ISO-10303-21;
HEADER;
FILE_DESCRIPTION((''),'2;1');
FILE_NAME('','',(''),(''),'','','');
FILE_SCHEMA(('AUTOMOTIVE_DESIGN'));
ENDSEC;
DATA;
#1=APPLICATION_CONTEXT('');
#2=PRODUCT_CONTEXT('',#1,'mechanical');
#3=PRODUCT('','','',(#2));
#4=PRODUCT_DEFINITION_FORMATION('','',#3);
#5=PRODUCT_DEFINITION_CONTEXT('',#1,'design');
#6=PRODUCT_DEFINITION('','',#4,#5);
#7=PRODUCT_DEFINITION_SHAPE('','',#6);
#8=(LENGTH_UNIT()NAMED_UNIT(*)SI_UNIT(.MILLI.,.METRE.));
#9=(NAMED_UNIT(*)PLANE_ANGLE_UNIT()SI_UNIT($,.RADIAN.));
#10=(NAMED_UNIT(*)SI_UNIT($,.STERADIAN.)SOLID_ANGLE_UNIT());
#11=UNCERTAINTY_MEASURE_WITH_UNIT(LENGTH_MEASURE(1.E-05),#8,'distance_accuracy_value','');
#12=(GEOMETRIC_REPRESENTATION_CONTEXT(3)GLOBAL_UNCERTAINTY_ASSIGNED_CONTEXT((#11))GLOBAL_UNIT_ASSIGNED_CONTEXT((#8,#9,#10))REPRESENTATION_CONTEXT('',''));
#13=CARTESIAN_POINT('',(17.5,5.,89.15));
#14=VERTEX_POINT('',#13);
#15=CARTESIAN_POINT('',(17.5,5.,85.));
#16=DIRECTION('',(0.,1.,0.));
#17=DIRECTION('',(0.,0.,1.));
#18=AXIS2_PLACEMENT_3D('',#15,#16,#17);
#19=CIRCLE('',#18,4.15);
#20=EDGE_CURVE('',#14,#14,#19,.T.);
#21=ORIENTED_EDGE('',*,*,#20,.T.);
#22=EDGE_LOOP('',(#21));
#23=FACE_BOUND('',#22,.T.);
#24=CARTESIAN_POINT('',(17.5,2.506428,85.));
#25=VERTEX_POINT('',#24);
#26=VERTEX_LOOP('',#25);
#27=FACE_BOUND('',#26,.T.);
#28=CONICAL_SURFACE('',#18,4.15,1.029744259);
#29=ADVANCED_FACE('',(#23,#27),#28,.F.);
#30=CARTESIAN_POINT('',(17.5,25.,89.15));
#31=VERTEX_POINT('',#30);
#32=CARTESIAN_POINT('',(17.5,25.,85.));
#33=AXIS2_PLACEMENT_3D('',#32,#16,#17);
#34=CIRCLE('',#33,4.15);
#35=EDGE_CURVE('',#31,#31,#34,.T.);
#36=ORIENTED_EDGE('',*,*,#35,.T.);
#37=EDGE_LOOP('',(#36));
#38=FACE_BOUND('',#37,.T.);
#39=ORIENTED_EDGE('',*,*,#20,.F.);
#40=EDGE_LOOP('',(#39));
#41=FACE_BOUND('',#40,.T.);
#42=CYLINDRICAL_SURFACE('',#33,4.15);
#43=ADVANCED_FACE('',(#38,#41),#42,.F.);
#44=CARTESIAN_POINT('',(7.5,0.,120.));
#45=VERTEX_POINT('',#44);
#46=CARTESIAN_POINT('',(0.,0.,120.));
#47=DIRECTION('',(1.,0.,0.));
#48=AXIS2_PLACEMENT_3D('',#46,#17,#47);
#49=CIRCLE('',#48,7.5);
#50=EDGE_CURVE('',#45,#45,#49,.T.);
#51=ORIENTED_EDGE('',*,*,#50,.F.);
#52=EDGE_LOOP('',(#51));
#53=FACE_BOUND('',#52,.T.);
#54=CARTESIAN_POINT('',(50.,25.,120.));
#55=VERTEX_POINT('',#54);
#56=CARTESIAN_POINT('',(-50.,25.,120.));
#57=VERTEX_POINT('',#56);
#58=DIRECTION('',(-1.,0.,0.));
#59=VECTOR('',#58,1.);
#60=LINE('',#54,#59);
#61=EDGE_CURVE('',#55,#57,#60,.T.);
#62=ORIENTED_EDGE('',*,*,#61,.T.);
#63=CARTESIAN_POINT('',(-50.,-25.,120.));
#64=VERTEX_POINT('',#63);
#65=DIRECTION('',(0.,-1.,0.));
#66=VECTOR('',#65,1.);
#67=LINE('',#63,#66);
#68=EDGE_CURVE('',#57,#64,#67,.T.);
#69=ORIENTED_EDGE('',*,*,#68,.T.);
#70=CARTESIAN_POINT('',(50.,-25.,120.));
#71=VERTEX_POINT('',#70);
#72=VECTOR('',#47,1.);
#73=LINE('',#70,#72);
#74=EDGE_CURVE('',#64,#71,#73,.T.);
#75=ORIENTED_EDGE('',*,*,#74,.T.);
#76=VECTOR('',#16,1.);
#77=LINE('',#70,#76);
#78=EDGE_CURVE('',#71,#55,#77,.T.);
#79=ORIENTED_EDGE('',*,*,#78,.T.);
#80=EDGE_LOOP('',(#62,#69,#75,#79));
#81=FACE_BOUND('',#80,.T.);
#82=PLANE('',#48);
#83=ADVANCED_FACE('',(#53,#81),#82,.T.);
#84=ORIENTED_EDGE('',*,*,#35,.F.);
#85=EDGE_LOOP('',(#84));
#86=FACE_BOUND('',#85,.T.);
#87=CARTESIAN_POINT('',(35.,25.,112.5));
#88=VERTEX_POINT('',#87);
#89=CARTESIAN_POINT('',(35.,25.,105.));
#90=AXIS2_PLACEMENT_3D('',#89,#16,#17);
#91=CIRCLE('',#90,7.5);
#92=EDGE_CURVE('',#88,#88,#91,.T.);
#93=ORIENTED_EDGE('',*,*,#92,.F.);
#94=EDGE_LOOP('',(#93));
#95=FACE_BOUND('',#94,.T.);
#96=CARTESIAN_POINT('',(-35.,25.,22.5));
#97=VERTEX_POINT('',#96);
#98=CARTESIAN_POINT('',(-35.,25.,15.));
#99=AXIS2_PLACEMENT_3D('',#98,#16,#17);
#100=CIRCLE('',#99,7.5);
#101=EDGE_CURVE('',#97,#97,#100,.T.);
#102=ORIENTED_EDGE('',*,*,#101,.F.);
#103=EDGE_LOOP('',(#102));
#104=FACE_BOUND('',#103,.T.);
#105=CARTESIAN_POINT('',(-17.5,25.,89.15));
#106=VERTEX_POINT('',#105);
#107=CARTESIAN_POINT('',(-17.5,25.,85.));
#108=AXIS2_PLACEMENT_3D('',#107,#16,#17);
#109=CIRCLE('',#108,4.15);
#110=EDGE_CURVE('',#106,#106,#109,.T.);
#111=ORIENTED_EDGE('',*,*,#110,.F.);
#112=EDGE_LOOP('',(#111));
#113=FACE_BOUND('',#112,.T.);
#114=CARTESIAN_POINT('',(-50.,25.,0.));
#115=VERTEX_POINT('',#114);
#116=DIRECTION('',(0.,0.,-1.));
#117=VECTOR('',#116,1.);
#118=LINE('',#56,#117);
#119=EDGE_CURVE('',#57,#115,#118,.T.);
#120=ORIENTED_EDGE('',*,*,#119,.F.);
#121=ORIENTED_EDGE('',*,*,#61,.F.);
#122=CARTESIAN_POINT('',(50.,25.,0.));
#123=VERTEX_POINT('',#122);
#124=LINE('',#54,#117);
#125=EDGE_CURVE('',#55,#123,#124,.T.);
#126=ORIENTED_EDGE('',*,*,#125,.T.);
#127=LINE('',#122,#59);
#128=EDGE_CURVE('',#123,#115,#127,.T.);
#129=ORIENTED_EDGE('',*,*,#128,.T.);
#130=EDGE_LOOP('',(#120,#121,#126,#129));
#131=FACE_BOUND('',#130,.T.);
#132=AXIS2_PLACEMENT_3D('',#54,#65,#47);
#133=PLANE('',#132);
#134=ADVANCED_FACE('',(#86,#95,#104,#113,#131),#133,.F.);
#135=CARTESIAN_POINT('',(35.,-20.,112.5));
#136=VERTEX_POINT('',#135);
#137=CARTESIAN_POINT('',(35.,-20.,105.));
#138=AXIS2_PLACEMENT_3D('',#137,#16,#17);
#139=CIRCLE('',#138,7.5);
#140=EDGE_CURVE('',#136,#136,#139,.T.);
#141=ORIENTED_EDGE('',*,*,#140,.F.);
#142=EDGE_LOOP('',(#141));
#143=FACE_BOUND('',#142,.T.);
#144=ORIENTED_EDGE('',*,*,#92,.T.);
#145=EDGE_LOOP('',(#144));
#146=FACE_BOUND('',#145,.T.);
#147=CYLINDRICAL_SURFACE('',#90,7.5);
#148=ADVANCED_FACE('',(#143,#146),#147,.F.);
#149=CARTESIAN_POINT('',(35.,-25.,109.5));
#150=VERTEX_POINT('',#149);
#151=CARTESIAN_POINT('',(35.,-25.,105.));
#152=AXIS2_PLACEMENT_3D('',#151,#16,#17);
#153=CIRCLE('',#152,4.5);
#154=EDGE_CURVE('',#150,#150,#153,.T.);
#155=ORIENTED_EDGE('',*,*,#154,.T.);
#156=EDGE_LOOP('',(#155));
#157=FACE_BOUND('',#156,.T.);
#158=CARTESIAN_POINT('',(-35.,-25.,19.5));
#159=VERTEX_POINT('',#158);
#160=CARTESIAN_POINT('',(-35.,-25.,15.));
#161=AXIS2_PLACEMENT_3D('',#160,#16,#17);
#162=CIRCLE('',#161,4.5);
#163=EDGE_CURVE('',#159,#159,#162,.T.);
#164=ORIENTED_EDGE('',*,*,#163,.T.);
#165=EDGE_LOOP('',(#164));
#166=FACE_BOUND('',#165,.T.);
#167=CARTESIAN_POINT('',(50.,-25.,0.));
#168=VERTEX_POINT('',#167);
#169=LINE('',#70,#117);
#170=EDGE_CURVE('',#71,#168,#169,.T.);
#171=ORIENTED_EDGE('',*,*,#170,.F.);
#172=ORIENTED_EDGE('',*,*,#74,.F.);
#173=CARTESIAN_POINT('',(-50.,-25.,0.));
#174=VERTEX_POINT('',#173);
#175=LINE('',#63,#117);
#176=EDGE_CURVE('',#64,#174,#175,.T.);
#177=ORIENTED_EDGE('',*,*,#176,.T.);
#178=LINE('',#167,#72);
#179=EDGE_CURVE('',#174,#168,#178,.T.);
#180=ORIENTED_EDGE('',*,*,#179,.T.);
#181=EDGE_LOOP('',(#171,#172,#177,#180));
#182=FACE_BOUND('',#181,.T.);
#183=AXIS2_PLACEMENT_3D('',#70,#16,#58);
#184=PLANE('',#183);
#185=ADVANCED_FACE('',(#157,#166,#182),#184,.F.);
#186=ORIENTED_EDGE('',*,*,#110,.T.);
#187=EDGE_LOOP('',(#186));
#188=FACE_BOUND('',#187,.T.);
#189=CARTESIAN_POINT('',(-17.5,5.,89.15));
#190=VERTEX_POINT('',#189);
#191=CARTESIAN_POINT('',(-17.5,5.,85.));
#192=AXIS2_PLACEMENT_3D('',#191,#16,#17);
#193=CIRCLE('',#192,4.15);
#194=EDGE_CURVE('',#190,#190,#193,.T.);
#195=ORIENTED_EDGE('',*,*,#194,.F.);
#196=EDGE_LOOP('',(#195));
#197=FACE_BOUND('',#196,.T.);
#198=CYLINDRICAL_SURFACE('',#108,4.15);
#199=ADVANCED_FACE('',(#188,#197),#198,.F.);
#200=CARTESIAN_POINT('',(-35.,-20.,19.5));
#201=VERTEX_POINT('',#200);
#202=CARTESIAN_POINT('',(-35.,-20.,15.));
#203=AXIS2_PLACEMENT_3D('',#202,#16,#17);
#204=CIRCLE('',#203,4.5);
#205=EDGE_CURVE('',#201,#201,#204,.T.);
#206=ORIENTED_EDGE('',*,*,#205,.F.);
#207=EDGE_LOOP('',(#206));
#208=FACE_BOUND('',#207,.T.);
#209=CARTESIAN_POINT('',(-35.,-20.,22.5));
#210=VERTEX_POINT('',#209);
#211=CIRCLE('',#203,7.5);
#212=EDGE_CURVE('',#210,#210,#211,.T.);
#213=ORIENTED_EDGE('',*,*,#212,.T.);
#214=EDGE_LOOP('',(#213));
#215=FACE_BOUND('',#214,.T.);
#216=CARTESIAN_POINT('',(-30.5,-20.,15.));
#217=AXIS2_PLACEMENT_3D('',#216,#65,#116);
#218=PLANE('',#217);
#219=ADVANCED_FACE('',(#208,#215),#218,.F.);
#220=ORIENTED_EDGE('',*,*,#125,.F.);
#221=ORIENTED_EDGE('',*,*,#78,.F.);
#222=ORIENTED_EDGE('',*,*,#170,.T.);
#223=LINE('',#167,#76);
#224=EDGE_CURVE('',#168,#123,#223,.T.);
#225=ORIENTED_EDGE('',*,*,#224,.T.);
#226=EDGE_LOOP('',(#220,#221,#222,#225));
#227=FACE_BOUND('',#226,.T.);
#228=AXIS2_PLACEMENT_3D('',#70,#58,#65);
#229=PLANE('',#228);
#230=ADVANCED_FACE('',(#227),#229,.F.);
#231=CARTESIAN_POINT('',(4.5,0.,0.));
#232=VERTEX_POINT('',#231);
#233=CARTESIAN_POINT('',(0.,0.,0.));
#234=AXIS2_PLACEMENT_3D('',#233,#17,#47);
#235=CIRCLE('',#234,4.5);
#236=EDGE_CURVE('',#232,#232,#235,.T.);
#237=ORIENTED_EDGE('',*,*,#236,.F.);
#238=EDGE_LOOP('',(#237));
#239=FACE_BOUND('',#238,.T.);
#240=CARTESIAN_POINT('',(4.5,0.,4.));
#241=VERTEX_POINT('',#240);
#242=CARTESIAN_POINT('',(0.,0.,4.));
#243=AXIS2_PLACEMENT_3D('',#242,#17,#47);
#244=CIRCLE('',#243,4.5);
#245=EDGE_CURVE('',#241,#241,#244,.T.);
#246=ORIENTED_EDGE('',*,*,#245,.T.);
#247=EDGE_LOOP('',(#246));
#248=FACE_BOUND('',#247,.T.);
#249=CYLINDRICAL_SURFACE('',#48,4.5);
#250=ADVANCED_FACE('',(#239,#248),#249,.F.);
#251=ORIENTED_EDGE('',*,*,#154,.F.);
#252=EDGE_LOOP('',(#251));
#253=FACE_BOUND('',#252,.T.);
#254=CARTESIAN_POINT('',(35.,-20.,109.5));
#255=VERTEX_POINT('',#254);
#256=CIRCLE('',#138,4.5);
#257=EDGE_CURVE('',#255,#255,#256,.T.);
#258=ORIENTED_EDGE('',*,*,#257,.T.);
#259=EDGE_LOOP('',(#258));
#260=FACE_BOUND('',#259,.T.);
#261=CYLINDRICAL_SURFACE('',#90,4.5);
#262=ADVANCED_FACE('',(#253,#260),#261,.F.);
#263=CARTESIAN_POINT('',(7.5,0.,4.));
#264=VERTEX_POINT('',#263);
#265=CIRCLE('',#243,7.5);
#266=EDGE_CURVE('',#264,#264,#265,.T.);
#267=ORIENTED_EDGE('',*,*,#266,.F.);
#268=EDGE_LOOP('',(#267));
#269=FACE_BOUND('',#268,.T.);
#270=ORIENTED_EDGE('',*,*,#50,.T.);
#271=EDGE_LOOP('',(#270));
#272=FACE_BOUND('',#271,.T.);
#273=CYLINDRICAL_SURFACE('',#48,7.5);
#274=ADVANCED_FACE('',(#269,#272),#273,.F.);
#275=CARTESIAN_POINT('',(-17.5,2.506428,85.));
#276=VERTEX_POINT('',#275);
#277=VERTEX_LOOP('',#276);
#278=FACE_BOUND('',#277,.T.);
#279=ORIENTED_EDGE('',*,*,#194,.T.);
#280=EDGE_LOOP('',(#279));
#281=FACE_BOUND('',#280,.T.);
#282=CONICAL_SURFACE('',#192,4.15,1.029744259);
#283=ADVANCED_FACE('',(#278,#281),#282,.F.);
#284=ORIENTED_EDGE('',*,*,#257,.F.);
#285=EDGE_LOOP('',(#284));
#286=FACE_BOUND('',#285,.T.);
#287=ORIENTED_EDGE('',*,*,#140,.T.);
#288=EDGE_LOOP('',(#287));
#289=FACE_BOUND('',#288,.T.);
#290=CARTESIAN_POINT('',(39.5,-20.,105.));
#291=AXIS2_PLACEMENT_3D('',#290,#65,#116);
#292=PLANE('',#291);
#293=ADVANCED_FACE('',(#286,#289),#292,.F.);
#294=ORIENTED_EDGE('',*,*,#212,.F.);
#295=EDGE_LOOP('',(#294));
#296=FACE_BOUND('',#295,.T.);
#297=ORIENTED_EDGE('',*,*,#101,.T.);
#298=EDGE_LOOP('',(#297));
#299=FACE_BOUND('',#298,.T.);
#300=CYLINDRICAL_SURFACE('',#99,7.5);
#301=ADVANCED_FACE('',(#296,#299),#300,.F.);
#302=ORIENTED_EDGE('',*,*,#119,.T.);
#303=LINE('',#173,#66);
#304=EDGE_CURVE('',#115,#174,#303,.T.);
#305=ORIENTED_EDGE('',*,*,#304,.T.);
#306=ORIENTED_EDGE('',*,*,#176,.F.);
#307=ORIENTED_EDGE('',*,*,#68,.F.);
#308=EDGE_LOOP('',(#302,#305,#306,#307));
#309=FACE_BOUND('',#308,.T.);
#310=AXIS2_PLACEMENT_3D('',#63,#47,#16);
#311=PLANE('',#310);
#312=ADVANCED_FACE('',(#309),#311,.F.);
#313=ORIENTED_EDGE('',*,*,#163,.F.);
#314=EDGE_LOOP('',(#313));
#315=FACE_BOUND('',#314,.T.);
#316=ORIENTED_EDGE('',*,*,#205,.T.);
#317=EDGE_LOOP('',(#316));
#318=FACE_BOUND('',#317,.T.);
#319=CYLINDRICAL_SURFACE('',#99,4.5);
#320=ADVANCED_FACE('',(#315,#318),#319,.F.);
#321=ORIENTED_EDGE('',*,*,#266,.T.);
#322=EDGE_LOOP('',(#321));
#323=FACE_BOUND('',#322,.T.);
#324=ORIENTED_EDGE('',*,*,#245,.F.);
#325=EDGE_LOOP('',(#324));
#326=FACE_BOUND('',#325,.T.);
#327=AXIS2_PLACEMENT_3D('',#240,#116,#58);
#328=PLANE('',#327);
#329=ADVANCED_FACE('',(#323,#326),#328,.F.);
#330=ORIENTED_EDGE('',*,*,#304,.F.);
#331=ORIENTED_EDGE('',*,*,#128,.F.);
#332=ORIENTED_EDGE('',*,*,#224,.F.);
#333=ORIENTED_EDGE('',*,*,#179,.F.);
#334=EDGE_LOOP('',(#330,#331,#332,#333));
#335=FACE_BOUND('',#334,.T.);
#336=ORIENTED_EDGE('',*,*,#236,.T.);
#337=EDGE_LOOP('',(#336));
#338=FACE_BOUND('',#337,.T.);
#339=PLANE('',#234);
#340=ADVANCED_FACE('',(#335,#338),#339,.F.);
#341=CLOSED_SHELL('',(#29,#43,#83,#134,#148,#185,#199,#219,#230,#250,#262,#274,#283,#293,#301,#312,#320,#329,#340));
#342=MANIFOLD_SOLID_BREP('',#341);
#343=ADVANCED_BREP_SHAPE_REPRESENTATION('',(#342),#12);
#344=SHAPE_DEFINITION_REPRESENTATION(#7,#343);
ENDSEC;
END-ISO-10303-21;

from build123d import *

# Parameters (mm, degrees)
SKIZZE1_W                                           = 100
SKIZZE1_H                                           = 50
AUFSATZ_LINEAR_AUSTRAGEN1_DEPTH                     = 120
STIRNSENKUNG_F_R_M8_SENKSCHRAUBE_KOPF_B_D           = 9
STIRNSENKUNG_F_R_M8_SENKSCHRAUBE_KOPF_B_CBORE_D     = 15
STIRNSENKUNG_F_R_M8_SENKSCHRAUBE_KOPF_B_CBORE_DEPTH = 45
STIRNSENKUNG_F_R_M8_SENKSCHRAUBE_KO_2_D             = 9
STIRNSENKUNG_F_R_M8_SENKSCHRAUBE_KO_2_CBORE_D       = 15
STIRNSENKUNG_F_R_M8_SENKSCHRAUBE_KO_2_CBORE_DEPTH   = 116
KERNLOCH_F_R_M8_HELICOIL1_D                         = 8.3
KERNLOCH_F_R_M8_HELICOIL1_DEPTH                     = 20
KERNLOCH_F_R_M8_HELICOIL1_TIP                       = 2.493571569


with BuildPart() as part:
    # Skizze1 → Aufsatz-Linear austragen1 (new body)
    with BuildSketch(Plane.XY):
        Rectangle(SKIZZE1_W, SKIZZE1_H)
    extrude(amount=AUFSATZ_LINEAR_AUSTRAGEN1_DEPTH)

    # Stirnsenkung f_r M8 Senkschraube _Kopf B (through all)
    with Locations(Plane(origin=(0, 25, 0), x_dir=(1, 0, 0), z_dir=(0, 1, 0))):
        with Locations((35, -105), (-35, -15)):
            CounterBoreHole(STIRNSENKUNG_F_R_M8_SENKSCHRAUBE_KOPF_B_D / 2, STIRNSENKUNG_F_R_M8_SENKSCHRAUBE_KOPF_B_CBORE_D / 2, STIRNSENKUNG_F_R_M8_SENKSCHRAUBE_KOPF_B_CBORE_DEPTH)

    # Stirnsenkung f_r M8 Senkschraube _Ko 2 (through all)
    with Locations(Plane.XY.offset(120)):
        with Locations((0, 0)):
            CounterBoreHole(STIRNSENKUNG_F_R_M8_SENKSCHRAUBE_KO_2_D / 2, STIRNSENKUNG_F_R_M8_SENKSCHRAUBE_KO_2_CBORE_D / 2, STIRNSENKUNG_F_R_M8_SENKSCHRAUBE_KO_2_CBORE_DEPTH)

    # Kernloch für M8 Helicoil1
    with Locations(Plane(origin=(0, 25, 0), x_dir=(1, 0, 0), z_dir=(0, 1, 0))):
        with Locations((-17.5, -85), (17.5, -85)):
            Hole(KERNLOCH_F_R_M8_HELICOIL1_D / 2, depth=KERNLOCH_F_R_M8_HELICOIL1_DEPTH)
            with Locations((0, 0, -(KERNLOCH_F_R_M8_HELICOIL1_DEPTH + KERNLOCH_F_R_M8_HELICOIL1_TIP / 2))):  # 118° drill point
                Cone(0, KERNLOCH_F_R_M8_HELICOIL1_D / 2, KERNLOCH_F_R_M8_HELICOIL1_TIP, mode=Mode.SUBTRACT)


solid = part.part
